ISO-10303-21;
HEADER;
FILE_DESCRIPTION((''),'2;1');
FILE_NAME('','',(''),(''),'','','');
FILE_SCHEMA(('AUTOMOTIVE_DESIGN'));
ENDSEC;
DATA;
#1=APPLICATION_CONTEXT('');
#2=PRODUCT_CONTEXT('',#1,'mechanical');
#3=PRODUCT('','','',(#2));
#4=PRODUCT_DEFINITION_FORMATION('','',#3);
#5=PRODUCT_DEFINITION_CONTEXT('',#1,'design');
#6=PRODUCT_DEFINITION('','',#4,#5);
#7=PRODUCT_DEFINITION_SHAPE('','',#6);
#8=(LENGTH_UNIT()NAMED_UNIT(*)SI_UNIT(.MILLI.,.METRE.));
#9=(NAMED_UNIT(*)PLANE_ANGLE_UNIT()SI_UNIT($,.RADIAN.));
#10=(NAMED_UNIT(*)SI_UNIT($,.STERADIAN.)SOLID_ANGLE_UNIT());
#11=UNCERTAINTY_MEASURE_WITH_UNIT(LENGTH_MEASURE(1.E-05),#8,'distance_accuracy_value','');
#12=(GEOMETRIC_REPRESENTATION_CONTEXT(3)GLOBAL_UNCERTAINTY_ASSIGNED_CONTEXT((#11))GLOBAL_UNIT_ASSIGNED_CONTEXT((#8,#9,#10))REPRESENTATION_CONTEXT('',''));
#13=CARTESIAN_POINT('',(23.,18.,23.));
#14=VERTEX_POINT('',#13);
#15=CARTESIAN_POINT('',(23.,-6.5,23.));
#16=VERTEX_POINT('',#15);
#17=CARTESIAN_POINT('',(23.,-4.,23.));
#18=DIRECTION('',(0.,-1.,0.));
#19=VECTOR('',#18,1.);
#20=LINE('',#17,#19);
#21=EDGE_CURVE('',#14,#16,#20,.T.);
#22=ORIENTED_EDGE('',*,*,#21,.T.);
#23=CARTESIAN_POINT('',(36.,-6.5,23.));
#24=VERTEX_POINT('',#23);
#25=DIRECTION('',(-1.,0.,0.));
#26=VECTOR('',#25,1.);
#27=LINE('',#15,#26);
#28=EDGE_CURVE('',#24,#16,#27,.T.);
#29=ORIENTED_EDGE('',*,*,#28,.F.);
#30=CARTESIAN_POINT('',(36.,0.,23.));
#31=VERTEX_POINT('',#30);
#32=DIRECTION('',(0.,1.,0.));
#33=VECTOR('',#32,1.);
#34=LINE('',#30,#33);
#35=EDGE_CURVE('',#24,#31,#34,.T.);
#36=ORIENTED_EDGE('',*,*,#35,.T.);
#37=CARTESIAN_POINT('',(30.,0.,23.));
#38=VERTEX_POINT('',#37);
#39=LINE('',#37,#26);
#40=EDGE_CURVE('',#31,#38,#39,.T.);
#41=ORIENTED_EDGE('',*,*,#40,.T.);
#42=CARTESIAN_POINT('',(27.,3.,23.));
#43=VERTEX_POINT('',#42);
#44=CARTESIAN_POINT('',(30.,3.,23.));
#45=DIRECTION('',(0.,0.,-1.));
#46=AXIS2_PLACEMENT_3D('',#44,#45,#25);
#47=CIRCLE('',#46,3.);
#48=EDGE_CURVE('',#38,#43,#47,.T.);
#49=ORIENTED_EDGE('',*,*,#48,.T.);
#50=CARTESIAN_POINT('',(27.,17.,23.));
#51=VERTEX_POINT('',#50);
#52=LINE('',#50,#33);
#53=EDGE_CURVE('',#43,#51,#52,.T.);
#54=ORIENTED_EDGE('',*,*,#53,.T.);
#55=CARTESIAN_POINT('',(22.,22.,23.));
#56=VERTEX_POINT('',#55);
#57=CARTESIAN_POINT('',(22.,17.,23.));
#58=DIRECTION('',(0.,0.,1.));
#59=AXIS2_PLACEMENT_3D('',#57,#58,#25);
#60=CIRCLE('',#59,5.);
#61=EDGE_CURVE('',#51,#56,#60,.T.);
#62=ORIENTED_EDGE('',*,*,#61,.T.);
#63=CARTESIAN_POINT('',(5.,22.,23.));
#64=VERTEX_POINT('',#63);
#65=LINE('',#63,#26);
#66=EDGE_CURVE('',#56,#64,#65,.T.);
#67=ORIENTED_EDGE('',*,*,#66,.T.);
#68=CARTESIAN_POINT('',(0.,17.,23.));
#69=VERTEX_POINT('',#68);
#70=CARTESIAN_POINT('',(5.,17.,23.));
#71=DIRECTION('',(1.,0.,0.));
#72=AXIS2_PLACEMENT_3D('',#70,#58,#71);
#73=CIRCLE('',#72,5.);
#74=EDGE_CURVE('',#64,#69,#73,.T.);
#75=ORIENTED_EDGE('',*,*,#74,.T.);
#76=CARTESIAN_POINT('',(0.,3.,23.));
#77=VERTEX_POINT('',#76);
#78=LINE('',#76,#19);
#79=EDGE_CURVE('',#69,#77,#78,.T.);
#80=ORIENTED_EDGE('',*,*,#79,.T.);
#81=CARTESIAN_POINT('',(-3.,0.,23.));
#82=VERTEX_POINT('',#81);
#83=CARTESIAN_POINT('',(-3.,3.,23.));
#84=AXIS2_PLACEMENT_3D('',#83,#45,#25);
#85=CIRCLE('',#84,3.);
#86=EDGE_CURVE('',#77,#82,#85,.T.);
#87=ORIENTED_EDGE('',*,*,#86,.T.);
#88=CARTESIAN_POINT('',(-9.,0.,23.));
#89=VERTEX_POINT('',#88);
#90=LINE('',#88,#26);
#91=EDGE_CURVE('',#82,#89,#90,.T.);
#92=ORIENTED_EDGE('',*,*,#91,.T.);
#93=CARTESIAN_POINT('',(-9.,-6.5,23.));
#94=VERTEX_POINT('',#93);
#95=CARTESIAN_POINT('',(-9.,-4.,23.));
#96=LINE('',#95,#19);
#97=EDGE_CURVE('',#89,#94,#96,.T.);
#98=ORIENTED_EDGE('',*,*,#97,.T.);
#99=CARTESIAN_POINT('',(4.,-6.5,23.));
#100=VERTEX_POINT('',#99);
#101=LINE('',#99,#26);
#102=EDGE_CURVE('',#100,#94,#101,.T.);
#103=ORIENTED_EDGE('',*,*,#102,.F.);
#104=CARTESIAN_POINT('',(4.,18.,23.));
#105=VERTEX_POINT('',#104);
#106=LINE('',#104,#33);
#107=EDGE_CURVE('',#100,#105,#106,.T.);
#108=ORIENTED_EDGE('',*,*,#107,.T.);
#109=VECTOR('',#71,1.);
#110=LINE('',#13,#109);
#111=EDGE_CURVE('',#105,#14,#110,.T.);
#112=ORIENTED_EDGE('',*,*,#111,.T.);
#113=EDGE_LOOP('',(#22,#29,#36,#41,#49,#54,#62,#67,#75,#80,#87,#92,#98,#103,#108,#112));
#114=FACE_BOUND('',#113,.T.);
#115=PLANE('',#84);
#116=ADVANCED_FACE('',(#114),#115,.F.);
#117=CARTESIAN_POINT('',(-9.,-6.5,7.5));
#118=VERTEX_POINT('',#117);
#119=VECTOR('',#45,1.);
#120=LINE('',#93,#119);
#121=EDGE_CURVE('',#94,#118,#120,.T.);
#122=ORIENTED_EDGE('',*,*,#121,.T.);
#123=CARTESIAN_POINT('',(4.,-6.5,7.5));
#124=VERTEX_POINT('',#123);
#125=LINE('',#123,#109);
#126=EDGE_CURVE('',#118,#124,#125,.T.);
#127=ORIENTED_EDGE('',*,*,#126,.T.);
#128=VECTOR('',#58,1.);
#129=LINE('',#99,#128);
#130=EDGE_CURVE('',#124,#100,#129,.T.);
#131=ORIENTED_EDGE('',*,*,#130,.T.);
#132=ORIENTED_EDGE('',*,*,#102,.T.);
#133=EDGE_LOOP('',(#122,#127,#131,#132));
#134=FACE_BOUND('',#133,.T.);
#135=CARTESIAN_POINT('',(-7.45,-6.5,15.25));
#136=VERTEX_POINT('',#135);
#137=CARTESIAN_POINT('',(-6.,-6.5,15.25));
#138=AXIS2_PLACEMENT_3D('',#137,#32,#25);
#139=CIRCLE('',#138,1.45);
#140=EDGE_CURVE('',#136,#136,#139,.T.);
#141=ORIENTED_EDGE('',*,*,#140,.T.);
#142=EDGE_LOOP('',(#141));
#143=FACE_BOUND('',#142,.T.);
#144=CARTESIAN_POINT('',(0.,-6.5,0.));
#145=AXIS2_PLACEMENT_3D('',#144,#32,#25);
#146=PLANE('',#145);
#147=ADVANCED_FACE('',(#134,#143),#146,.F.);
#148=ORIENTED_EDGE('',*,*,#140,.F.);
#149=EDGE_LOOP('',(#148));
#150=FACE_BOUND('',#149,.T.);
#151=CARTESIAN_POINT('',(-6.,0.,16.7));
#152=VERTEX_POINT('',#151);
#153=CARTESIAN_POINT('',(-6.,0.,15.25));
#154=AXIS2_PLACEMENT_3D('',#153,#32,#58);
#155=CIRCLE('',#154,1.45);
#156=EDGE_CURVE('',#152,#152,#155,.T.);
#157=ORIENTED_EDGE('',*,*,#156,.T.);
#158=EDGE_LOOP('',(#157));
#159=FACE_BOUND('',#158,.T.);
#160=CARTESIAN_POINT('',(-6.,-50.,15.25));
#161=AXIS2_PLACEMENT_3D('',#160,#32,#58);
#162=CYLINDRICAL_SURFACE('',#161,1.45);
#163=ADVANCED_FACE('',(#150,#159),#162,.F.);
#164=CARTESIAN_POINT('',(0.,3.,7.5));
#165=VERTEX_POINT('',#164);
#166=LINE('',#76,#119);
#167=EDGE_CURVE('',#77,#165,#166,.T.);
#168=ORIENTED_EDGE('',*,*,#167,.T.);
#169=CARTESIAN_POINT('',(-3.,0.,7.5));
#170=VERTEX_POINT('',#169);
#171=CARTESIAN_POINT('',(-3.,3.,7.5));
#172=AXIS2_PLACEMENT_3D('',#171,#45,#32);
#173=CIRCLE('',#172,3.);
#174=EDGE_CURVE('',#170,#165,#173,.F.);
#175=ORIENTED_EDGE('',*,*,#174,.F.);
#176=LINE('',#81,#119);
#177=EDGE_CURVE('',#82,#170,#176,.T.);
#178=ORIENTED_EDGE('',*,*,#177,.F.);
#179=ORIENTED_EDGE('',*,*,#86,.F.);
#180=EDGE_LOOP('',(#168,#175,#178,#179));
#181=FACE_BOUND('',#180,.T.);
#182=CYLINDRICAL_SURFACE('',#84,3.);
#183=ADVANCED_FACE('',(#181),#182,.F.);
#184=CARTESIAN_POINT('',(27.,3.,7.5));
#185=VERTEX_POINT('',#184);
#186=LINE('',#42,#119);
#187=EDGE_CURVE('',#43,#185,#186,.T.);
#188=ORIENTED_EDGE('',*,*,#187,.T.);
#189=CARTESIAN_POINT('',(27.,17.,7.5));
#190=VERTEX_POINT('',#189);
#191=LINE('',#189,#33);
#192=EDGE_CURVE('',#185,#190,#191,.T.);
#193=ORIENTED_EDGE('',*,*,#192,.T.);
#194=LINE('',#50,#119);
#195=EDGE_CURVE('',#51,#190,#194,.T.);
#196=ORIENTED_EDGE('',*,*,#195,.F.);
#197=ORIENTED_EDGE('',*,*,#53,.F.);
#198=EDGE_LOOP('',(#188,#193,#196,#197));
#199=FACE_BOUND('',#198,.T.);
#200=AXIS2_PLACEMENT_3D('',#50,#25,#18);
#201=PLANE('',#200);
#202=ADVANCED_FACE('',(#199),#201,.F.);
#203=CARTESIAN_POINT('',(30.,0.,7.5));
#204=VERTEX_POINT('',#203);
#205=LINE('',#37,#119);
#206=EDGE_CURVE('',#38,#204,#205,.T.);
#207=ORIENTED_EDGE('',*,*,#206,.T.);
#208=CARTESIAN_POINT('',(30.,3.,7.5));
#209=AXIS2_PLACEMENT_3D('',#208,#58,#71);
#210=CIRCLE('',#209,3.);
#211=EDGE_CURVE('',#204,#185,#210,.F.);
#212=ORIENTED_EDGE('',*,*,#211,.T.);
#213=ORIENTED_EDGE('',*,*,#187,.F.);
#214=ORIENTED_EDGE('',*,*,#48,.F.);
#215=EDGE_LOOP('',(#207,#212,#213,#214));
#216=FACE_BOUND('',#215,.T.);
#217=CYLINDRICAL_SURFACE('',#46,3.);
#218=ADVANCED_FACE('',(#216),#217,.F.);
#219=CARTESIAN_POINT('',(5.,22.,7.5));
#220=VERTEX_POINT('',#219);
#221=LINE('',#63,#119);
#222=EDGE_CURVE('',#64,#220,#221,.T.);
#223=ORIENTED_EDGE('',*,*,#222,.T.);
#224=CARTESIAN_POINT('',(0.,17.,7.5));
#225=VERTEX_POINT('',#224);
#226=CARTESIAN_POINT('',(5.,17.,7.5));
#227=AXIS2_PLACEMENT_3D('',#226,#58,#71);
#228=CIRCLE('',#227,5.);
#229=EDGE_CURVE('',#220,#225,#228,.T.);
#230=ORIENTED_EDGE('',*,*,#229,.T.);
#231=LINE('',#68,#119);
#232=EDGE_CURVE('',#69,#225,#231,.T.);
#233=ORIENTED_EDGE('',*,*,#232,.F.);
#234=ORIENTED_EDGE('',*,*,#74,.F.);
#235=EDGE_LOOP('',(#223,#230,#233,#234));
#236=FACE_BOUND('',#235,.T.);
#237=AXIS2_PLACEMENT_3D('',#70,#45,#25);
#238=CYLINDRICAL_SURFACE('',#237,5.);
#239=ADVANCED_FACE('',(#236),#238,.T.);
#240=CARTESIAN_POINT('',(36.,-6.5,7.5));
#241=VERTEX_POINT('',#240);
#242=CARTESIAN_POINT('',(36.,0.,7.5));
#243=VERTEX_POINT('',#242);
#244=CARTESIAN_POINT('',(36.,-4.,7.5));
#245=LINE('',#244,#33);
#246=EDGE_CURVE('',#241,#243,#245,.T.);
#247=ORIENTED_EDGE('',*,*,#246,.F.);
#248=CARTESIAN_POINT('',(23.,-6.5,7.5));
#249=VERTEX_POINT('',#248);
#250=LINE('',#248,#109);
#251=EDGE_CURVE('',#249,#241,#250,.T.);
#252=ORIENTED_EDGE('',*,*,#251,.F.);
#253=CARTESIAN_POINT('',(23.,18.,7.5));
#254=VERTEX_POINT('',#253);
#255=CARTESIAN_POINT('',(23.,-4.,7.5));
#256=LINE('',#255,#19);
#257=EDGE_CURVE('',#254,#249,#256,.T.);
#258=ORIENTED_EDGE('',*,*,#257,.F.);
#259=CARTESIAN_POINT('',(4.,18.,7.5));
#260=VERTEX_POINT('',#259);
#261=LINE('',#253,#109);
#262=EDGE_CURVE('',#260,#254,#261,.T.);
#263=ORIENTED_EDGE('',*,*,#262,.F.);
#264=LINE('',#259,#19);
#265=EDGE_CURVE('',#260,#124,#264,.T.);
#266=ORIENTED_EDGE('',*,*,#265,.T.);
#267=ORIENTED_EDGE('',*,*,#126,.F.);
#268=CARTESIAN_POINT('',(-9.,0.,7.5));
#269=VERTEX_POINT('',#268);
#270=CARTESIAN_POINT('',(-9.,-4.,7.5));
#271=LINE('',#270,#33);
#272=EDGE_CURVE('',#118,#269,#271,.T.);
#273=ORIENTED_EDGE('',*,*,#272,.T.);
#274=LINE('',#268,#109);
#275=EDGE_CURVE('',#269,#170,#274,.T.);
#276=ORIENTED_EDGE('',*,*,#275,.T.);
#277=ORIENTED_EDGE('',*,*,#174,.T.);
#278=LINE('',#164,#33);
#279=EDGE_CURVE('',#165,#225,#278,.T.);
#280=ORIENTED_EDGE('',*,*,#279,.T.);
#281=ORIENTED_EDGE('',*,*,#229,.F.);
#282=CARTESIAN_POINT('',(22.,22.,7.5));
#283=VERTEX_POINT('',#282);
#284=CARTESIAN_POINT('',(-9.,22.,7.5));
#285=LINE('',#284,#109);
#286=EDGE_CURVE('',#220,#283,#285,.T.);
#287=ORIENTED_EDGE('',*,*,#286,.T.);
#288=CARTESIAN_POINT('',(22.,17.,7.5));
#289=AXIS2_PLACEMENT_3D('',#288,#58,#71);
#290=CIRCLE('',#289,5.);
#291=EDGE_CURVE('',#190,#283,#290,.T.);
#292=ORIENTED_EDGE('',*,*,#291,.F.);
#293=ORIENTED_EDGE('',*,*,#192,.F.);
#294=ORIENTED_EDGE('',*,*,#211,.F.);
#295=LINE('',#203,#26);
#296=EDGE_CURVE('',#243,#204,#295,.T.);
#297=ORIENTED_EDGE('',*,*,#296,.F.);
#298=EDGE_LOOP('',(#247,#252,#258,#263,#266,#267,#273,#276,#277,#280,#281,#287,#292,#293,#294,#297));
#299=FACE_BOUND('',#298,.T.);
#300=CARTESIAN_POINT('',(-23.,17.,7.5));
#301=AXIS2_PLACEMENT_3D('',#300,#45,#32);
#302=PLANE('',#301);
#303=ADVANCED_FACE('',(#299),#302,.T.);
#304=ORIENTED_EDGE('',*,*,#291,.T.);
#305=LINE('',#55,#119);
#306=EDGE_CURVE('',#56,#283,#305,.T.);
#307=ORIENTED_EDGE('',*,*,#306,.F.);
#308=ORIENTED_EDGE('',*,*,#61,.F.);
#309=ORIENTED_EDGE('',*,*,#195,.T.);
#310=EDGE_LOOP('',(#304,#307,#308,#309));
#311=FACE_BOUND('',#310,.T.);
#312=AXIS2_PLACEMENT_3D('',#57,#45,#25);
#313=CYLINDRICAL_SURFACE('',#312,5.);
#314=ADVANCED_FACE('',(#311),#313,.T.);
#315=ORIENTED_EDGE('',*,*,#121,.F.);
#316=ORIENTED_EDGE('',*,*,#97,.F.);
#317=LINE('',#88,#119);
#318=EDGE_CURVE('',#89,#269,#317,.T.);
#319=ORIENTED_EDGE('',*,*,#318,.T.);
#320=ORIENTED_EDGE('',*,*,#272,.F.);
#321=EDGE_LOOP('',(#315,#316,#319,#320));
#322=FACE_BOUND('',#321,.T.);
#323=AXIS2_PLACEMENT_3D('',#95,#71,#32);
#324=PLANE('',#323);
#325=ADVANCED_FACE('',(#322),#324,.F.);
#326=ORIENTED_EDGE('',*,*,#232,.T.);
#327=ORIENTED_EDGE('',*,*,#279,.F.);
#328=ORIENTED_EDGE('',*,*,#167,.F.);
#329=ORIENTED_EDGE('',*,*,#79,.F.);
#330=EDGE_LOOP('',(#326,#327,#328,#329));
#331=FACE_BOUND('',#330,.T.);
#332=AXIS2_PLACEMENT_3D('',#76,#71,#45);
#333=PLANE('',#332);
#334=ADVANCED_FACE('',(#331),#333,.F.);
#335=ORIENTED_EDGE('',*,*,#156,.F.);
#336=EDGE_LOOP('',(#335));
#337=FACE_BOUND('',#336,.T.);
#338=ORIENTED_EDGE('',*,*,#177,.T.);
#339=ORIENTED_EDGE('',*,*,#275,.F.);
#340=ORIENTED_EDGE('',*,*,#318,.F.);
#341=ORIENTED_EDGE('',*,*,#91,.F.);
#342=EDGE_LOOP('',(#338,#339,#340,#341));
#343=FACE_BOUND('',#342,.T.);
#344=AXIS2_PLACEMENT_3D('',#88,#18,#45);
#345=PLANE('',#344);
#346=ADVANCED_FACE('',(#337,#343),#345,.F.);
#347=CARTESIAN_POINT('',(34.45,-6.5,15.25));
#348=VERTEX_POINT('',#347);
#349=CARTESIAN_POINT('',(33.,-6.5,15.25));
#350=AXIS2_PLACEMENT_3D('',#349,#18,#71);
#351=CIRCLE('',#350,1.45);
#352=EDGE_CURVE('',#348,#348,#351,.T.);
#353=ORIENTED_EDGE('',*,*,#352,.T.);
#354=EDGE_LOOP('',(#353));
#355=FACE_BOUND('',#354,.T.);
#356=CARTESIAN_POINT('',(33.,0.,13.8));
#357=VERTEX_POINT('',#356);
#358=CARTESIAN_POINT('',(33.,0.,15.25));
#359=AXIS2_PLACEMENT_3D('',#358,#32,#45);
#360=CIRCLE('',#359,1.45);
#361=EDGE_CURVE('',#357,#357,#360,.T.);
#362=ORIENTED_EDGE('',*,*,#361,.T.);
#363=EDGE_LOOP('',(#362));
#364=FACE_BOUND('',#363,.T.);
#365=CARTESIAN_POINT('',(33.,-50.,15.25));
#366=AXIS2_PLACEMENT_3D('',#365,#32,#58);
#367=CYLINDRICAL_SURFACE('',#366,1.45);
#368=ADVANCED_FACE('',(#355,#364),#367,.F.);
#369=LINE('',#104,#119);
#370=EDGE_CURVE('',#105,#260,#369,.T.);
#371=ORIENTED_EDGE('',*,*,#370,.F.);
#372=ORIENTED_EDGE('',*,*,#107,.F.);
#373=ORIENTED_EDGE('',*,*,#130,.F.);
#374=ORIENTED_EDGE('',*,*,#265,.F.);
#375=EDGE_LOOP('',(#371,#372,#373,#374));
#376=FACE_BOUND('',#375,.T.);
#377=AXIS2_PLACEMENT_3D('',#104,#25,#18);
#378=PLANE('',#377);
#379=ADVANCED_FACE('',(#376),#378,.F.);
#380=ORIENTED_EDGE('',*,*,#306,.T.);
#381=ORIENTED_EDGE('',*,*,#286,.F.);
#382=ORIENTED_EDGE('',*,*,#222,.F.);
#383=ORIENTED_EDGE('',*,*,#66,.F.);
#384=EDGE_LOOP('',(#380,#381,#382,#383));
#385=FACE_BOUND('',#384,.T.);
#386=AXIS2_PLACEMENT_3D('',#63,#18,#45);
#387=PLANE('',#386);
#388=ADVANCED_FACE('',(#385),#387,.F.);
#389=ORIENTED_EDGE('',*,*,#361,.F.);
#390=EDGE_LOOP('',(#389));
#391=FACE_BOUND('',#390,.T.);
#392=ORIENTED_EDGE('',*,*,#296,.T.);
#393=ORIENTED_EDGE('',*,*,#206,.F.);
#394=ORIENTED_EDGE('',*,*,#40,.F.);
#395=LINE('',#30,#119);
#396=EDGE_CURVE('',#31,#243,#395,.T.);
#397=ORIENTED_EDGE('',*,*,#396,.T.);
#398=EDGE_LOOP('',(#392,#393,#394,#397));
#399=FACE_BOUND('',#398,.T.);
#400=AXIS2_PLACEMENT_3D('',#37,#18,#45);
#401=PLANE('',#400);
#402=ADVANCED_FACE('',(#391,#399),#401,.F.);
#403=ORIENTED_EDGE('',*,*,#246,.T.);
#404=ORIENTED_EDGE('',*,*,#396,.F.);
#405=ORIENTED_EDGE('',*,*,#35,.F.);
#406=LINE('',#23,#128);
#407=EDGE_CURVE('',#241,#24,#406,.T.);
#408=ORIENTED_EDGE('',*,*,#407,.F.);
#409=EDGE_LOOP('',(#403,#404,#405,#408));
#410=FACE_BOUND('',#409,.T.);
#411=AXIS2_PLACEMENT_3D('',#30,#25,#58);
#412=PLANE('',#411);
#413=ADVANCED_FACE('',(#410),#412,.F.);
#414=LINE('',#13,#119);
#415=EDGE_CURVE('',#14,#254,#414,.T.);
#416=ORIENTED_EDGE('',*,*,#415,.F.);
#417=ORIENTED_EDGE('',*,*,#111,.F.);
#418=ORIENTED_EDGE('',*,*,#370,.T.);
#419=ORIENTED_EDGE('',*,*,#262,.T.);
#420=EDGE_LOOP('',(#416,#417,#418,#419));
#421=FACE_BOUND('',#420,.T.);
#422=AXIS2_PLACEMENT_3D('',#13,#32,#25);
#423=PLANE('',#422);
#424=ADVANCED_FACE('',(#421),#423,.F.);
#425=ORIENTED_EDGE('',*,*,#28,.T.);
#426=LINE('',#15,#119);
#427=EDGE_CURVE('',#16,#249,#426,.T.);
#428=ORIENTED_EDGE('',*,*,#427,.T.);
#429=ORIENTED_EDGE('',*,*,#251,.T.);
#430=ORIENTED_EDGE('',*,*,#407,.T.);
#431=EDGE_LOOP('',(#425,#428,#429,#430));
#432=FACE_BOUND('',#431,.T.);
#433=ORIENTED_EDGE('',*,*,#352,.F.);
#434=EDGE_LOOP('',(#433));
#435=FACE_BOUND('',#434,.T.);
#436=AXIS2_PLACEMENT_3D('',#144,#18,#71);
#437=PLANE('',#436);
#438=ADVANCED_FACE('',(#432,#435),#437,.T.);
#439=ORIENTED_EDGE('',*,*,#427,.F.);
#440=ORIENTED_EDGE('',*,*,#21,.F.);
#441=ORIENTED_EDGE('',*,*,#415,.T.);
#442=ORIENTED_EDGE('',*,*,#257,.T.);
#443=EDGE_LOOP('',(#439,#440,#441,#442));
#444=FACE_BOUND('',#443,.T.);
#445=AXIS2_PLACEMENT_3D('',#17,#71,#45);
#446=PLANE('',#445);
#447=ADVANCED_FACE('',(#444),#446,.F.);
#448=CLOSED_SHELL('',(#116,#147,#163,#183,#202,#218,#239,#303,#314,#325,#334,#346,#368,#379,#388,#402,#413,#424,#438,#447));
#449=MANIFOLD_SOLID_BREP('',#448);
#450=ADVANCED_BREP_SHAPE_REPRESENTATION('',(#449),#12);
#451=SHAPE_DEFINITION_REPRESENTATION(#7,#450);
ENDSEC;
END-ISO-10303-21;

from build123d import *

# Parameters (mm, degrees)
BOSS_EXTRUDE1_DEPTH     = 23
CUT_EXTRUDE2_DEPTH      = 23
CUT_EXTRUDE2_DEPTH_BACK = 10
SKETCH4_W               = 3.5
SKETCH4_H               = 21
SKETCH5_W               = 45
SKETCH5_H               = 7.5
CUT_EXTRUDE3_DEPTH      = 26
SKETCH7_R               = 1.45
CUT_EXTRUDE4_DEPTH      = 50
SKETCH8_W               = 13
SKETCH8_H               = 15.5
BOSS_EXTRUDE2_DEPTH     = 2.5
SKETCH9_R               = 1.45
CUT_EXTRUDE5_DEPTH      = 10


with BuildPart() as part:
    # Sketch1 → Boss-Extrude1 (new body)
    with BuildSketch(Plane.XY):
        with BuildLine():
            Line((0, 3), (0, 17))
            ThreePointArc((0, 17), (1.464466094, 20.535533906), (5, 22))
            Line((5, 22), (22, 22))
            ThreePointArc((22, 22), (25.535533906, 20.535533906), (27, 17))
            Line((27, 17), (27, 3))
            ThreePointArc((27, 3), (27.878679656, 0.878679656), (30, 0))
            Line((30, 0), (36, 0))
            Line((36, 0), (36, -4))
            Line((36, -4), (23, -4))
            Line((23, -4), (23, 18))
            Line((23, 18), (4, 18))
            Line((4, 18), (4, -4))
            Line((4, -4), (-9, -4))
            Line((-9, -4), (-9, 0))
            Line((-9, 0), (-3, 0))
            ThreePointArc((-3, 0), (-0.878679656, 0.878679656), (0, 3))
        make_face()
    extrude(amount=BOSS_EXTRUDE1_DEPTH)

    # Sketch4 → Cut-Extrude2 (cut, two sides: drawn at the far end of the back side and taken through both)
    with BuildSketch(Plane.ZY.offset(-CUT_EXTRUDE2_DEPTH_BACK)):
        with Locations((5.75, 6.5)):
            Rectangle(SKETCH4_W, SKETCH4_H)
    extrude(amount=CUT_EXTRUDE2_DEPTH + CUT_EXTRUDE2_DEPTH_BACK, mode=Mode.SUBTRACT)

    # Sketch5 → Cut-Extrude3 (cut)
    with BuildSketch(Plane(origin=(0, 22, 0), x_dir=(1, 0, 0), z_dir=(0, 1, 0))):
        with Locations((13.5, -3.75)):
            Rectangle(SKETCH5_W, SKETCH5_H)
    extrude(amount=-CUT_EXTRUDE3_DEPTH, mode=Mode.SUBTRACT)

    # Sketch7 → Cut-Extrude4 (cut)
    with BuildSketch(Plane(origin=(0, 0, 0), x_dir=(1, 0, 0), z_dir=(0, 1, 0))):
        with Locations(Location((-6, -15.25, 0), (0, 0, 270))):
            Circle(SKETCH7_R)
        with Locations(Location((33, -15.25, 0), (0, 0, 180))):
            Circle(SKETCH7_R)
    extrude(amount=-CUT_EXTRUDE4_DEPTH, mode=Mode.SUBTRACT)

    # Sketch8 → Boss-Extrude2 (add)
    with BuildSketch(Plane.XZ.offset(4)):
        with Locations((29.5, 15.25)):
            Rectangle(SKETCH8_W, SKETCH8_H)
        with Locations((-2.5, 15.25)):
            Rectangle(SKETCH8_W, SKETCH8_H)
    extrude(amount=BOSS_EXTRUDE2_DEPTH)

    # Sketch9 → Cut-Extrude5 (cut)
    with BuildSketch(Plane(origin=(0, -4, 0), x_dir=(1, 0, 0), z_dir=(0, 1, 0))):
        with Locations((33, -15.25)):
            Circle(SKETCH9_R)
        with Locations(Location((-6, -15.25, 0), (0, 0, 270))):
            Circle(SKETCH9_R)
    extrude(amount=-CUT_EXTRUDE5_DEPTH, mode=Mode.SUBTRACT)


solid = part.part
